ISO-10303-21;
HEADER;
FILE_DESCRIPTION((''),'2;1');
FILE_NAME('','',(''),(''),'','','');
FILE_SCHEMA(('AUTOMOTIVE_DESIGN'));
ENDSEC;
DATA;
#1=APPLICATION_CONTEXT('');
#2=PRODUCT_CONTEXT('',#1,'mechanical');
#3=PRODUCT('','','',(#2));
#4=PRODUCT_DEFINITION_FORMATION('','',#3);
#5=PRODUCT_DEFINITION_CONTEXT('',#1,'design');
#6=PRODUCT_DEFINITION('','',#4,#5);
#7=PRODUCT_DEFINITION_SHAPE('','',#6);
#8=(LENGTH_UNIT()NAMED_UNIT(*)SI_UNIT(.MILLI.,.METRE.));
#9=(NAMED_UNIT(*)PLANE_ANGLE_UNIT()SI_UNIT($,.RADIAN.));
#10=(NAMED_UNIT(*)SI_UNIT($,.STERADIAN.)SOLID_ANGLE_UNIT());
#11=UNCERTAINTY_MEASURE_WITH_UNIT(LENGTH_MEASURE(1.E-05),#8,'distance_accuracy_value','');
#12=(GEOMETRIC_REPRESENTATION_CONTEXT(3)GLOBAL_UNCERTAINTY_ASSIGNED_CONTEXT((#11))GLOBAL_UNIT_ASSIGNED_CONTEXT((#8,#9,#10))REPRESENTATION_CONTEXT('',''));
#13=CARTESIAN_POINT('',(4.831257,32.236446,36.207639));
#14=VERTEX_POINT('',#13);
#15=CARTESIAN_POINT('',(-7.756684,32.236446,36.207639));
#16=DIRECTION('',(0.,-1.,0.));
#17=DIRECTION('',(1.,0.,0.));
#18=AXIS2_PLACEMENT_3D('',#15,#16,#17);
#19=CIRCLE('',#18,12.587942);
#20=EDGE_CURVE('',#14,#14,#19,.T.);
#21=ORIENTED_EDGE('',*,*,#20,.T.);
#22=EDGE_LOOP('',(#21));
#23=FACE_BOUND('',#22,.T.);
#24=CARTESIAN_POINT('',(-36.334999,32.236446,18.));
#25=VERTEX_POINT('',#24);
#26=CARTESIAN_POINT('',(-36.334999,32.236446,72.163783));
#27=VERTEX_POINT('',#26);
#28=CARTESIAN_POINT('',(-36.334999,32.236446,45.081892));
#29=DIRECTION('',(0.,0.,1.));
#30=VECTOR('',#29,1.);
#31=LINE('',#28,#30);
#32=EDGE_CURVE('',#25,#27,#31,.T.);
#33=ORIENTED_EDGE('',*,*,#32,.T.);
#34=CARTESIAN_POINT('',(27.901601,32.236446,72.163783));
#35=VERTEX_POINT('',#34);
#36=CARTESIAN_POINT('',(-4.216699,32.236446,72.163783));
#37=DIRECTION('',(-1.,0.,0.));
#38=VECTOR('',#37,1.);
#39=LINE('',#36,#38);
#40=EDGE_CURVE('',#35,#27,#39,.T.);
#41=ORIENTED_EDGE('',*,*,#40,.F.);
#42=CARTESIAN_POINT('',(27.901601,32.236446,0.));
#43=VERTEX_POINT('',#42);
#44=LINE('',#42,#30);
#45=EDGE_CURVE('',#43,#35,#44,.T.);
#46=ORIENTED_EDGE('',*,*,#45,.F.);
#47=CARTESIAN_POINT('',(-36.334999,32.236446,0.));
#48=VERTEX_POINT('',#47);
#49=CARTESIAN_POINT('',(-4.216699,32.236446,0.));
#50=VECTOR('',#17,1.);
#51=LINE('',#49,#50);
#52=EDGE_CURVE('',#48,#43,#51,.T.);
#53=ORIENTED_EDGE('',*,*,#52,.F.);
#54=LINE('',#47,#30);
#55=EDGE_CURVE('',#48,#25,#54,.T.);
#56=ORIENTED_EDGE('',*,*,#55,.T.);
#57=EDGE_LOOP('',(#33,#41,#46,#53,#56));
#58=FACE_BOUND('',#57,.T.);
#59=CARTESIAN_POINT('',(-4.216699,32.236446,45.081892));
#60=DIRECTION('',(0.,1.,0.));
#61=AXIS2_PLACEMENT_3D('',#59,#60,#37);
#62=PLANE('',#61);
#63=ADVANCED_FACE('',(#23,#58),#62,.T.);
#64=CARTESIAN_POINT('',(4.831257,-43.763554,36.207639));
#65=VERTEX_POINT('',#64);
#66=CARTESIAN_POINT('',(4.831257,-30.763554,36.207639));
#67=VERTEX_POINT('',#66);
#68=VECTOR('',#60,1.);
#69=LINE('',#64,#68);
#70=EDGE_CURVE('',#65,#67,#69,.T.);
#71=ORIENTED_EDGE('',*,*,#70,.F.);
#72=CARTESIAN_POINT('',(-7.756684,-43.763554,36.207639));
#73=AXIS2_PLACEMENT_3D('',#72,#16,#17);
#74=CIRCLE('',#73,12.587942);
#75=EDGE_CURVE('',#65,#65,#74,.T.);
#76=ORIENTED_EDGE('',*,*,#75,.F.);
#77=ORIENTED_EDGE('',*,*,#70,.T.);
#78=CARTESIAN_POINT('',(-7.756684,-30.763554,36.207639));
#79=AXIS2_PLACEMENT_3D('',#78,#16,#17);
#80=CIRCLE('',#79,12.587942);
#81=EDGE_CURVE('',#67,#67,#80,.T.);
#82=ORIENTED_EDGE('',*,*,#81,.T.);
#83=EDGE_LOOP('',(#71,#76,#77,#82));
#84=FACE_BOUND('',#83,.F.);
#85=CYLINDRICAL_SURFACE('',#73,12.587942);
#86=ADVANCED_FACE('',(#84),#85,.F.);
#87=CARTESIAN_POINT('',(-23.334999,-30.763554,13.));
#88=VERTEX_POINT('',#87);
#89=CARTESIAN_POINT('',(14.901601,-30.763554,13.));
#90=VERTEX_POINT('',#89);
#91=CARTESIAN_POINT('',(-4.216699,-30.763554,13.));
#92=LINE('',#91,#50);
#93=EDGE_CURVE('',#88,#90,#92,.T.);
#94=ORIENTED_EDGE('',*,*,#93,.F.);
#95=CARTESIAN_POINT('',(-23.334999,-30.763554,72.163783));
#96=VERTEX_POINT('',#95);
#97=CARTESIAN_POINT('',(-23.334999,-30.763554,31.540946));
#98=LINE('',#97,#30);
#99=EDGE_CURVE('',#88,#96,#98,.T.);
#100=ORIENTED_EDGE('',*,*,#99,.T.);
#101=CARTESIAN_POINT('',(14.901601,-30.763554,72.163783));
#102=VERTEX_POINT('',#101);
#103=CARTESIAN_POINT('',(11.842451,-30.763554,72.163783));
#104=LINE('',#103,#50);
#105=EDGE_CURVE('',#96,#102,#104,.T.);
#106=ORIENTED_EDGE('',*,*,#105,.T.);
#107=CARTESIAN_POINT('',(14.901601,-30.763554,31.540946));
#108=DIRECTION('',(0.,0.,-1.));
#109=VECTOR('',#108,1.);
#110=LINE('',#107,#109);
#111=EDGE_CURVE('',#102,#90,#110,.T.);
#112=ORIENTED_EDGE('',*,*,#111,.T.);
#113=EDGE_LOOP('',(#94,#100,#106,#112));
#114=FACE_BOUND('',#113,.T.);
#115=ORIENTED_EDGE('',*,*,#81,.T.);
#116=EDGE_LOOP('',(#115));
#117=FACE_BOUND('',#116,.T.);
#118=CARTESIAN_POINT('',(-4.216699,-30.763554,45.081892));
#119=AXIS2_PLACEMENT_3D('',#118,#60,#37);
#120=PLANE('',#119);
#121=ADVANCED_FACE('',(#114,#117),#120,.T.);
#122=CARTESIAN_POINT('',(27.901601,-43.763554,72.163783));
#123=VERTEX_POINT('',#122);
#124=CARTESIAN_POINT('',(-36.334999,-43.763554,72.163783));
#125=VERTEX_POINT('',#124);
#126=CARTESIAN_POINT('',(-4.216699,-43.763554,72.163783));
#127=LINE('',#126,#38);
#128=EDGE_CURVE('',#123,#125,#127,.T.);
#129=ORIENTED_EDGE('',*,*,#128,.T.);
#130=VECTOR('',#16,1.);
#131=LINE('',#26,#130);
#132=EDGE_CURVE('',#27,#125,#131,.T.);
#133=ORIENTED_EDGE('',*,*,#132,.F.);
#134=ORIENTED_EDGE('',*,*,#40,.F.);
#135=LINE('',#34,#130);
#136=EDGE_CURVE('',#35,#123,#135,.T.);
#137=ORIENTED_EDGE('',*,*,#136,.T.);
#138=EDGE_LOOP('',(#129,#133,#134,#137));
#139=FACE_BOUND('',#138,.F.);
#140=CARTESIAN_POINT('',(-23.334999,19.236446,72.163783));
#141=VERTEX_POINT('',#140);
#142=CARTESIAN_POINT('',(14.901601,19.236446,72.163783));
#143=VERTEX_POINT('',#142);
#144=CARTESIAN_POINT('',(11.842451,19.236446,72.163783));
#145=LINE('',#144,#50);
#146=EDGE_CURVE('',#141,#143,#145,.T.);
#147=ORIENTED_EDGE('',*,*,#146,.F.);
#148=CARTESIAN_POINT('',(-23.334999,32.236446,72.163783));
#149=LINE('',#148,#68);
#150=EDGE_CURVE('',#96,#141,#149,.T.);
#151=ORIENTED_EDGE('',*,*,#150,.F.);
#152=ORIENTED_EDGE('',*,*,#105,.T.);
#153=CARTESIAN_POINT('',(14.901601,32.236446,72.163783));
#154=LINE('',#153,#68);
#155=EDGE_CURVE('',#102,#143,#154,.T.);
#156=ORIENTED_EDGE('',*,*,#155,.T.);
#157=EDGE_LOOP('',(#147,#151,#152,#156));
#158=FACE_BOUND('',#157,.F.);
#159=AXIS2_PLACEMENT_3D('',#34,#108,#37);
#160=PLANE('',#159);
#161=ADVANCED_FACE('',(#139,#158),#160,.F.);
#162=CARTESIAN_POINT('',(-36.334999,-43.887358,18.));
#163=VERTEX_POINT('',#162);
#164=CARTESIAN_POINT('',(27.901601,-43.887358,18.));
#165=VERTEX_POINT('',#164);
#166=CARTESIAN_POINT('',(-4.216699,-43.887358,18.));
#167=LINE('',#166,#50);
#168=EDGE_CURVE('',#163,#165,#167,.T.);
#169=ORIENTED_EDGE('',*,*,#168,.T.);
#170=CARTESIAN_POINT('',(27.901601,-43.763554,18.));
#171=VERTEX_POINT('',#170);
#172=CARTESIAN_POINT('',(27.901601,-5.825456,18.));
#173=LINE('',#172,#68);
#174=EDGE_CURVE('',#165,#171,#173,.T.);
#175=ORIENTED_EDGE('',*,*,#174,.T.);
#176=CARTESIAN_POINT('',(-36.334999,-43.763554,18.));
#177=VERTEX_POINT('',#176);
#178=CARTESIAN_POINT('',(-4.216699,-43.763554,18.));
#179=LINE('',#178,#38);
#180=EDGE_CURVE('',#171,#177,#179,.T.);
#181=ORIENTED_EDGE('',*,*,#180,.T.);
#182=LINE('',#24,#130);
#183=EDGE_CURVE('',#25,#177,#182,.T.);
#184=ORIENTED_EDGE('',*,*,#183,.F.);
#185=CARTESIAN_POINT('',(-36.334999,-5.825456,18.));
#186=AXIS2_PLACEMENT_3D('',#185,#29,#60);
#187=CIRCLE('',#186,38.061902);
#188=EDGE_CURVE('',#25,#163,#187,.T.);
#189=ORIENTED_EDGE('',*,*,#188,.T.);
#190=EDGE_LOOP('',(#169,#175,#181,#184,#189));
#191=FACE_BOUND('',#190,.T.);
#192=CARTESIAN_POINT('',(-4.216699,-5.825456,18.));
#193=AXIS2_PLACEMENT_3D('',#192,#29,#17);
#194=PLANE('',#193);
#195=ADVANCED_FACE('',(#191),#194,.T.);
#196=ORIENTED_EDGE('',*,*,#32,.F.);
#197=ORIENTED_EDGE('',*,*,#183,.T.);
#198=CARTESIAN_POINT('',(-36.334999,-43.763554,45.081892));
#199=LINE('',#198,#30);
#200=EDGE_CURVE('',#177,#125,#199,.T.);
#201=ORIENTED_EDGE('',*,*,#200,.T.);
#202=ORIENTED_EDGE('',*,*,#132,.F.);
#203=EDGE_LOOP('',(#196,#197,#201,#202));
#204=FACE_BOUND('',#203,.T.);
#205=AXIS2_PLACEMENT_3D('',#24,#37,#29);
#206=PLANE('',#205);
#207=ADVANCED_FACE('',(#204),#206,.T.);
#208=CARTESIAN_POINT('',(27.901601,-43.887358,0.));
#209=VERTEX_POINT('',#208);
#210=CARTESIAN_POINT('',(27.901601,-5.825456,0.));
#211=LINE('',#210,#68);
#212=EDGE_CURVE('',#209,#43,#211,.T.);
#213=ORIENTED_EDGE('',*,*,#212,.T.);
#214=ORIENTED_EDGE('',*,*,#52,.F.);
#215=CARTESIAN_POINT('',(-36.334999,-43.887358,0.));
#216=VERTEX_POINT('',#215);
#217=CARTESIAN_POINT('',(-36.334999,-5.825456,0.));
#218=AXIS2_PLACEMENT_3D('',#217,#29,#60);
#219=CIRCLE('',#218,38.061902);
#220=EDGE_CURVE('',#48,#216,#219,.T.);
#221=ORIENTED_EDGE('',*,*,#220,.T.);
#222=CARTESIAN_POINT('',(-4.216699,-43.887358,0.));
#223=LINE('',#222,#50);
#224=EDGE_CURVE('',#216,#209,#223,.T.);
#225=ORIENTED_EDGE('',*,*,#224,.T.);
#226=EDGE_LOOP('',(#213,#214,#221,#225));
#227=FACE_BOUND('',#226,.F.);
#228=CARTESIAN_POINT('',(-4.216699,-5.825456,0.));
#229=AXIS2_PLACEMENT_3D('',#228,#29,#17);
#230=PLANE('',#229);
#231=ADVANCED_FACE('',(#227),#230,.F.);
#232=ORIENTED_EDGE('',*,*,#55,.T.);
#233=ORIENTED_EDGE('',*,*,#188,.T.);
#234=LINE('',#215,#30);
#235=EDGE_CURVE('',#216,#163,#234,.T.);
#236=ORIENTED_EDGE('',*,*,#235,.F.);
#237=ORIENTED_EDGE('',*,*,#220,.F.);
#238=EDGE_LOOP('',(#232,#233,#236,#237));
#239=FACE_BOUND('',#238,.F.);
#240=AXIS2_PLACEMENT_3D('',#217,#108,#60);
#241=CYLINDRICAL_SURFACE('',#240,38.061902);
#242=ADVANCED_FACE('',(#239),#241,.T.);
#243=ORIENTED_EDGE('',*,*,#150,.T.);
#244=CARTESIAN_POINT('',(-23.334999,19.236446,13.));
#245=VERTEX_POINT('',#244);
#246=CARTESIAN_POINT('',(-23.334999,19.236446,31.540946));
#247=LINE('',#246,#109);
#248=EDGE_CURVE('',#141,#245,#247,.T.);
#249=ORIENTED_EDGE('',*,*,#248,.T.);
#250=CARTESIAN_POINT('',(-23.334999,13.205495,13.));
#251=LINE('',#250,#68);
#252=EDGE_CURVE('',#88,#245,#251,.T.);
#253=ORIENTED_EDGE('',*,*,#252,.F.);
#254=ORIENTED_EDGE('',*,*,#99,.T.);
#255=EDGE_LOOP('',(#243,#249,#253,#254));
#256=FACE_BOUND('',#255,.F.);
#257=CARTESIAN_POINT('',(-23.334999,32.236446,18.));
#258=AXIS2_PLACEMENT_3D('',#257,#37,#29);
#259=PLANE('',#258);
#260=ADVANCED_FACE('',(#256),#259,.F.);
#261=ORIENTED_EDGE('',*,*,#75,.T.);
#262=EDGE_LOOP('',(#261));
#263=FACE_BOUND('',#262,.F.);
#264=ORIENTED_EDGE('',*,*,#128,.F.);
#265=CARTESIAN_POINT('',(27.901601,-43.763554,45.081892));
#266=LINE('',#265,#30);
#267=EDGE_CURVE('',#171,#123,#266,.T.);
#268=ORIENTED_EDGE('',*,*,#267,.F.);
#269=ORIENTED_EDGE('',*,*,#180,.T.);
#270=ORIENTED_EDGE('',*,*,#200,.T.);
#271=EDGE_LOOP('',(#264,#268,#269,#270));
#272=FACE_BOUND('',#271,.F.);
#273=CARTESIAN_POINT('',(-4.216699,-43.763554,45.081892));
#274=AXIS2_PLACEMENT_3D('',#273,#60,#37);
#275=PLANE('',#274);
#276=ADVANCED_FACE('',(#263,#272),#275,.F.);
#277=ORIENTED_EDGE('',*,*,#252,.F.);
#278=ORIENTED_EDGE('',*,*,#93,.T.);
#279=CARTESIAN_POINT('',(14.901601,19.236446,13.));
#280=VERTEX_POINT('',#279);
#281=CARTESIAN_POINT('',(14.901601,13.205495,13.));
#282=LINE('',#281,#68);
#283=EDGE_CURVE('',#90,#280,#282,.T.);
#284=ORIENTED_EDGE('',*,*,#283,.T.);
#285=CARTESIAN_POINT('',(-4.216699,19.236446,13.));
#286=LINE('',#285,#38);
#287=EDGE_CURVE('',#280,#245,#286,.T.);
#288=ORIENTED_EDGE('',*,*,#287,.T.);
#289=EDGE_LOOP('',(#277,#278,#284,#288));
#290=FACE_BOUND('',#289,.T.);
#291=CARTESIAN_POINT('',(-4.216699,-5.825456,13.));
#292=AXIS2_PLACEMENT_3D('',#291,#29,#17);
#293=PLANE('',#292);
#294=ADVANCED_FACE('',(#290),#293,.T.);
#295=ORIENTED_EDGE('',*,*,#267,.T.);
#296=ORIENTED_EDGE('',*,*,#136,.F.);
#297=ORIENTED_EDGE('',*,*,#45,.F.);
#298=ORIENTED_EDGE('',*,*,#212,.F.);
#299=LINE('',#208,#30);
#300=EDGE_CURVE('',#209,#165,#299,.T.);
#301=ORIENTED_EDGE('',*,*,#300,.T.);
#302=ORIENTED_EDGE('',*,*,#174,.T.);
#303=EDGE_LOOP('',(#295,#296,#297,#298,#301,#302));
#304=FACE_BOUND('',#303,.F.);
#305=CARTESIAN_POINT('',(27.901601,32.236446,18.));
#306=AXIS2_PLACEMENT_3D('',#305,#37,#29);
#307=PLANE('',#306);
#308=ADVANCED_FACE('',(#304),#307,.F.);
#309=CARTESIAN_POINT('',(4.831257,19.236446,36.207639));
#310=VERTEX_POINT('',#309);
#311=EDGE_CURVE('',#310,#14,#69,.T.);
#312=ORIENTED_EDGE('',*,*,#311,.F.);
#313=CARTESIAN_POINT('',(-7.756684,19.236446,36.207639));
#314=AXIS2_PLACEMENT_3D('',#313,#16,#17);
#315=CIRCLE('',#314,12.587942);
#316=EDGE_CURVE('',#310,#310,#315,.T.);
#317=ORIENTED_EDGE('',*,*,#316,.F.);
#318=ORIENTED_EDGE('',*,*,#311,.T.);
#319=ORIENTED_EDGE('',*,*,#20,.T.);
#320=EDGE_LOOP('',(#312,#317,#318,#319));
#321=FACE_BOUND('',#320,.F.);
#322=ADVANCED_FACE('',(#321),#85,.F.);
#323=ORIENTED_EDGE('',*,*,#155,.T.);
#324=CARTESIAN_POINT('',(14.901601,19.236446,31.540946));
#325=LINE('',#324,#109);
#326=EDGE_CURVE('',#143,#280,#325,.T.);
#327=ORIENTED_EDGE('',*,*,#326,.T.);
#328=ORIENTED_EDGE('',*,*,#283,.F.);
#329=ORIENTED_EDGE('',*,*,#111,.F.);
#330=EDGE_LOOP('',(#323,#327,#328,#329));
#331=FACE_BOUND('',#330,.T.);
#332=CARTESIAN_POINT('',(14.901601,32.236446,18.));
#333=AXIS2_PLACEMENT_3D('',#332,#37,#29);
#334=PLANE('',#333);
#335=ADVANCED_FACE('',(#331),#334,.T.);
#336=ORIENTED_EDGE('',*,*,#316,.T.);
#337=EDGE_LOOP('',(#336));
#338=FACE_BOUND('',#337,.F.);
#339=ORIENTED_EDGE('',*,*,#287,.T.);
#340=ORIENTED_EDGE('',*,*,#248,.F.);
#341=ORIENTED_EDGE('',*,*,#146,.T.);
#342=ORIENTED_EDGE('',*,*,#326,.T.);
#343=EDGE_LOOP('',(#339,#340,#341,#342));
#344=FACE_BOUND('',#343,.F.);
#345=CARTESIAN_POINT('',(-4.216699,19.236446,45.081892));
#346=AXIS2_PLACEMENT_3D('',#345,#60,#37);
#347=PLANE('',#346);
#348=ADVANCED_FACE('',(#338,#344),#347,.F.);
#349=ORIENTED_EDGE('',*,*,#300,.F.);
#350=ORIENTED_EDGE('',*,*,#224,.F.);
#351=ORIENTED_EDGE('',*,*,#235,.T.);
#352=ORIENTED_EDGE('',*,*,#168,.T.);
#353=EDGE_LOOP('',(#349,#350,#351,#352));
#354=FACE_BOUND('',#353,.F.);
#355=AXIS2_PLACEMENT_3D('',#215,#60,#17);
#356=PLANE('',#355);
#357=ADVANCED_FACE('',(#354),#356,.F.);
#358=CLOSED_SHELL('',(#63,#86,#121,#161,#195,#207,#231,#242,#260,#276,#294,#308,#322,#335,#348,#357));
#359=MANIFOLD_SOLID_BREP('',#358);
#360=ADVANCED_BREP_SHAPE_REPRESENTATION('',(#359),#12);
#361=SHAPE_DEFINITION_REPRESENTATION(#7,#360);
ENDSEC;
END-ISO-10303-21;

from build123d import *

# Parameters (mm, degrees)
F0_W     = 64.236599952
F0_H     = 76.123803854
F1_DEPTH = 18
F2_W     = 64.236599952
F2_H     = 54.1637830138
F3_DEPTH = 76
F5_T     = -13
F4_R     = 12.5879419165
F6_DEPTH = 205.6


with BuildPart() as f1:
    # F0 (on Top) → F1 (new body)
    with BuildSketch(Plane.XY):
        with Locations((-4.2166989297, -5.8254562318)):
            Rectangle(F0_W, F0_H)
        with BuildLine():
            Line((-36.3349989057, -43.8873581588), (-36.3349989057, 32.2364456952))
            ThreePointArc((-36.3349989057, 32.2364456952), (-74.3969008327, -5.8254562318), (-36.3349989057, -43.8873581588))
        make_face()
    extrude(amount=F1_DEPTH)

    # F2 (on face) → F3 (join)
    with BuildSketch(Plane(origin=(0, 32.2364456952, 0), x_dir=(-1, 0, 0), z_dir=(0, 1, 0))):
        with Locations((4.2166989297, 45.0818915069)):
            Rectangle(F2_W, F2_H)
    extrude(amount=-F3_DEPTH)

    # F5
    f5_openings = [f1.faces().sort_by_distance(p)[0] for p in [
        (-4.216699, -5.763554, 72.163783),
    ]]
    offset(amount=F5_T, openings=f5_openings, kind=Kind.INTERSECTION)

    # F4 (on face) → F6 (cut)
    with BuildSketch(Plane.XZ.offset(43.7635543048)):
        with Locations((-7.7566844411, 36.2076386809)):
            Circle(F4_R)
    extrude(amount=-F6_DEPTH, mode=Mode.SUBTRACT)


solid = f1.part
